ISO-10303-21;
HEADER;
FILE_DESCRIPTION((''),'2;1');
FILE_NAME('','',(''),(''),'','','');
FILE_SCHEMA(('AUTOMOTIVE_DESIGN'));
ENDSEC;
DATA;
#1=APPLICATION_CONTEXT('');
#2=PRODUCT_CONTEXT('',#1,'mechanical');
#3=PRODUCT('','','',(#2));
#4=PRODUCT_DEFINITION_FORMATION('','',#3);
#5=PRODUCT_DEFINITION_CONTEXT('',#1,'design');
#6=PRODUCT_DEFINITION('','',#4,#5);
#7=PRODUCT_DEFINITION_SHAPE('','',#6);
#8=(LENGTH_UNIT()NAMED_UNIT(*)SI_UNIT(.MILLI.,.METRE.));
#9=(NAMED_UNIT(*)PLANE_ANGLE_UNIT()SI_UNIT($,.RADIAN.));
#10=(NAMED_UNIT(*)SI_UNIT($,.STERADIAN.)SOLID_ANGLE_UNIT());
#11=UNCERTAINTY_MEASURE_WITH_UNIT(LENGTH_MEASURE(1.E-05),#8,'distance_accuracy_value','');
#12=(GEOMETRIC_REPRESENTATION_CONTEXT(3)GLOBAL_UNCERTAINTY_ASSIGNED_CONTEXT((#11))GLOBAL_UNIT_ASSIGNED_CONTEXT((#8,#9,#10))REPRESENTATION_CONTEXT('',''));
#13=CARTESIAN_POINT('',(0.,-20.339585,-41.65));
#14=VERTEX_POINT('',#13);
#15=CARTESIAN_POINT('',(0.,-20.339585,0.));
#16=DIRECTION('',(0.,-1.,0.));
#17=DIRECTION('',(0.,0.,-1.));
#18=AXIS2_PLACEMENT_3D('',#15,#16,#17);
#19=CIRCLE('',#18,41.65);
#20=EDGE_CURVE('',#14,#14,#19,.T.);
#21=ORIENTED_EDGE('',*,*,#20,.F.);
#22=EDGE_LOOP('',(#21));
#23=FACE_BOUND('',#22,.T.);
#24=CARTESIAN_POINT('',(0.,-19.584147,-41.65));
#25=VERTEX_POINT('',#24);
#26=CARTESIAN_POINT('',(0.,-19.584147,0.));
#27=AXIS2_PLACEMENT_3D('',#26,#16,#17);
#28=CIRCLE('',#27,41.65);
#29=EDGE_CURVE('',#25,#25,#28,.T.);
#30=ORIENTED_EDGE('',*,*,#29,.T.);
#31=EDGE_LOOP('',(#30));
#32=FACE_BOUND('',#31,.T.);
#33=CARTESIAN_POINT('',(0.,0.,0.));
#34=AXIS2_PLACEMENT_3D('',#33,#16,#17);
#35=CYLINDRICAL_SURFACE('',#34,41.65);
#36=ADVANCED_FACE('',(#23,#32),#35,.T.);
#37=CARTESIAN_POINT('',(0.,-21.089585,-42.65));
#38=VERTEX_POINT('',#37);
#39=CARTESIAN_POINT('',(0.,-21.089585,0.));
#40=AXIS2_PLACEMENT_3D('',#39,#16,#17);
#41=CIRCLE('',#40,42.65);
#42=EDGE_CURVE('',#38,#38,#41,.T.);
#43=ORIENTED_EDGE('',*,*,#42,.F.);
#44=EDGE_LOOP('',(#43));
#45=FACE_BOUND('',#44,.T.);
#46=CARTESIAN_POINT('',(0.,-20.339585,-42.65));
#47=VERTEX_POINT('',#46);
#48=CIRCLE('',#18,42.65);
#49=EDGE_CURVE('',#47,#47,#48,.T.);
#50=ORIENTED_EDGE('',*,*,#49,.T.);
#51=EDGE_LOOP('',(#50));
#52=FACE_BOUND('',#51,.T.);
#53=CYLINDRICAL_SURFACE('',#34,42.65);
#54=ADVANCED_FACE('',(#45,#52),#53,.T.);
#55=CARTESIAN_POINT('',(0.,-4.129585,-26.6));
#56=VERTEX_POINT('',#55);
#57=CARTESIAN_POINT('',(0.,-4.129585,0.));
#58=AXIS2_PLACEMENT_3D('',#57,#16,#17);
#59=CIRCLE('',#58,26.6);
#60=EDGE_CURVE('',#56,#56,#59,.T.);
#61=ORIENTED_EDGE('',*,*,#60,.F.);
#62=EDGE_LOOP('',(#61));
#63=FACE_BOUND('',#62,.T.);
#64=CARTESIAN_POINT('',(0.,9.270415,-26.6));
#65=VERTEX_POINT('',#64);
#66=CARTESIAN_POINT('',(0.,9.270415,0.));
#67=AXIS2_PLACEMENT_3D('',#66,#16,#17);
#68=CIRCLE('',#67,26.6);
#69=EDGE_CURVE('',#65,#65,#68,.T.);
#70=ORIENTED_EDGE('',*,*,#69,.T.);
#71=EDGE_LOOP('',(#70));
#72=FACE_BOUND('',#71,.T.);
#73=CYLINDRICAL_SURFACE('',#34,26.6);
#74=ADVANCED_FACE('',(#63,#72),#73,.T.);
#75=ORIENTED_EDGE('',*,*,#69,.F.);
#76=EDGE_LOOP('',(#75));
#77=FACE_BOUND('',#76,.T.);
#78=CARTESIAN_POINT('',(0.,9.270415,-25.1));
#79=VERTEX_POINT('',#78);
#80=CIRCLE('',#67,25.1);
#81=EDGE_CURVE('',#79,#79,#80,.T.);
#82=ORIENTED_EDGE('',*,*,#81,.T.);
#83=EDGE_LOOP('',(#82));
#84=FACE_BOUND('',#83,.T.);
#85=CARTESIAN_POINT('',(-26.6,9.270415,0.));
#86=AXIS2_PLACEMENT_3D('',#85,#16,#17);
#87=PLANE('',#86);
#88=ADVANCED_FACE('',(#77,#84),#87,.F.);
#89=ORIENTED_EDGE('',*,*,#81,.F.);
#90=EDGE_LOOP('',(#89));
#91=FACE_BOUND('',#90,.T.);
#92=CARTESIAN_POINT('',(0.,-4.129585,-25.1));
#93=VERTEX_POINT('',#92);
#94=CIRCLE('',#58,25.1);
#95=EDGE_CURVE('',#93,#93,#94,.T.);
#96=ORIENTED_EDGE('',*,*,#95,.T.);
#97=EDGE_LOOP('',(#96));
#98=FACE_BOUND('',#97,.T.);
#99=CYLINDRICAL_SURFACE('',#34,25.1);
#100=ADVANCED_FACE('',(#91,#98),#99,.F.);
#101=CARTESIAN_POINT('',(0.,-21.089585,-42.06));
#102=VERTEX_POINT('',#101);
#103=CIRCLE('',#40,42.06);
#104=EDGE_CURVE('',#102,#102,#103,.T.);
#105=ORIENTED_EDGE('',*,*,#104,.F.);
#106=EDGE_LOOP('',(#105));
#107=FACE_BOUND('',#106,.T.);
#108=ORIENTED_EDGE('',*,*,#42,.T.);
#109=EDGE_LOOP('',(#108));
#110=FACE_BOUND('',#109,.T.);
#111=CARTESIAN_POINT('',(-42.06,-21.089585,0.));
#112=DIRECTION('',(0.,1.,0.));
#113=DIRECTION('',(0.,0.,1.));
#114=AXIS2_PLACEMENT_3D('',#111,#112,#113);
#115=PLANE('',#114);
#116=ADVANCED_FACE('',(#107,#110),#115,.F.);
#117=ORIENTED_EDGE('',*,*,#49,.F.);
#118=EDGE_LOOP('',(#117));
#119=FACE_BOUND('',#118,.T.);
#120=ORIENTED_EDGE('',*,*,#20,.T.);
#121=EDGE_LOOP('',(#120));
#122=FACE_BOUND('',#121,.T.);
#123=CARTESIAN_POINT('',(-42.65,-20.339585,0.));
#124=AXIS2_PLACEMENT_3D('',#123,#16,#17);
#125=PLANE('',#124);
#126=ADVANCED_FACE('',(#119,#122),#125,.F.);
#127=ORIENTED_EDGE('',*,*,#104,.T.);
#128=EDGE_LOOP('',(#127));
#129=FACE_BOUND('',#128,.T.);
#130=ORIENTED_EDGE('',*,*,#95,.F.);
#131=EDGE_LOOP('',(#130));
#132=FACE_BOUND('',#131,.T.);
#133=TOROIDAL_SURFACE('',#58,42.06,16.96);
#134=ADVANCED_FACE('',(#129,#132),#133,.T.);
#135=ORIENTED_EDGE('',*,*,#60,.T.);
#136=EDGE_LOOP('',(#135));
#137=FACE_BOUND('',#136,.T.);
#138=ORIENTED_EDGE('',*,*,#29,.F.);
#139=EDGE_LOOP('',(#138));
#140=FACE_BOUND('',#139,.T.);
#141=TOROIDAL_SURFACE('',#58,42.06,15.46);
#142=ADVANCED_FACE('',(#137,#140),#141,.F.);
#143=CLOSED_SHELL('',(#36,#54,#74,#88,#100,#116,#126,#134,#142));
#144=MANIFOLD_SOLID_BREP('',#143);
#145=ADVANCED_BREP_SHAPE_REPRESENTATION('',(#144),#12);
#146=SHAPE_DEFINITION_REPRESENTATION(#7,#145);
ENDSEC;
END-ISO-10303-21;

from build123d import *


with BuildPart() as part:
    # Çizim1 → Döndür1 (revolve)
    with BuildSketch(Plane.XY, mode=Mode.PRIVATE) as d_nd_r1_sk:
        with BuildLine():
            Line((-25.1, 9.270415491), (-25.1, -4.129584509))
            ThreePointArc((-25.1, -4.129584509), (-30.067468991, -16.122115518), (-42.06, -21.089584509))
            Line((-42.06, -21.089584509), (-42.65, -21.089584509))
            Line((-42.65, -21.089584509), (-42.65, -20.339584509))
            Line((-42.65, -20.339584509), (-42.06, -20.339584509))
            Line((-42.06, -20.339584509), (-41.65, -20.339584509))
            Line((-41.65, -20.339584509), (-41.65, -19.584146943))
            ThreePointArc((-41.65, -19.584146943), (-30.984120802, -14.915524431), (-26.6, -4.129584509))
            Line((-26.6, -4.129584509), (-26.6, 9.270415491))
            Line((-26.6, 9.270415491), (-25.1, 9.270415491))
        make_face()
    revolve(d_nd_r1_sk.sketch.rotate(Axis((0, 0, 0), (0, 1, 0)), 270), axis=Axis((0, 0, 0), (0, 1, 0)))


solid = part.part
